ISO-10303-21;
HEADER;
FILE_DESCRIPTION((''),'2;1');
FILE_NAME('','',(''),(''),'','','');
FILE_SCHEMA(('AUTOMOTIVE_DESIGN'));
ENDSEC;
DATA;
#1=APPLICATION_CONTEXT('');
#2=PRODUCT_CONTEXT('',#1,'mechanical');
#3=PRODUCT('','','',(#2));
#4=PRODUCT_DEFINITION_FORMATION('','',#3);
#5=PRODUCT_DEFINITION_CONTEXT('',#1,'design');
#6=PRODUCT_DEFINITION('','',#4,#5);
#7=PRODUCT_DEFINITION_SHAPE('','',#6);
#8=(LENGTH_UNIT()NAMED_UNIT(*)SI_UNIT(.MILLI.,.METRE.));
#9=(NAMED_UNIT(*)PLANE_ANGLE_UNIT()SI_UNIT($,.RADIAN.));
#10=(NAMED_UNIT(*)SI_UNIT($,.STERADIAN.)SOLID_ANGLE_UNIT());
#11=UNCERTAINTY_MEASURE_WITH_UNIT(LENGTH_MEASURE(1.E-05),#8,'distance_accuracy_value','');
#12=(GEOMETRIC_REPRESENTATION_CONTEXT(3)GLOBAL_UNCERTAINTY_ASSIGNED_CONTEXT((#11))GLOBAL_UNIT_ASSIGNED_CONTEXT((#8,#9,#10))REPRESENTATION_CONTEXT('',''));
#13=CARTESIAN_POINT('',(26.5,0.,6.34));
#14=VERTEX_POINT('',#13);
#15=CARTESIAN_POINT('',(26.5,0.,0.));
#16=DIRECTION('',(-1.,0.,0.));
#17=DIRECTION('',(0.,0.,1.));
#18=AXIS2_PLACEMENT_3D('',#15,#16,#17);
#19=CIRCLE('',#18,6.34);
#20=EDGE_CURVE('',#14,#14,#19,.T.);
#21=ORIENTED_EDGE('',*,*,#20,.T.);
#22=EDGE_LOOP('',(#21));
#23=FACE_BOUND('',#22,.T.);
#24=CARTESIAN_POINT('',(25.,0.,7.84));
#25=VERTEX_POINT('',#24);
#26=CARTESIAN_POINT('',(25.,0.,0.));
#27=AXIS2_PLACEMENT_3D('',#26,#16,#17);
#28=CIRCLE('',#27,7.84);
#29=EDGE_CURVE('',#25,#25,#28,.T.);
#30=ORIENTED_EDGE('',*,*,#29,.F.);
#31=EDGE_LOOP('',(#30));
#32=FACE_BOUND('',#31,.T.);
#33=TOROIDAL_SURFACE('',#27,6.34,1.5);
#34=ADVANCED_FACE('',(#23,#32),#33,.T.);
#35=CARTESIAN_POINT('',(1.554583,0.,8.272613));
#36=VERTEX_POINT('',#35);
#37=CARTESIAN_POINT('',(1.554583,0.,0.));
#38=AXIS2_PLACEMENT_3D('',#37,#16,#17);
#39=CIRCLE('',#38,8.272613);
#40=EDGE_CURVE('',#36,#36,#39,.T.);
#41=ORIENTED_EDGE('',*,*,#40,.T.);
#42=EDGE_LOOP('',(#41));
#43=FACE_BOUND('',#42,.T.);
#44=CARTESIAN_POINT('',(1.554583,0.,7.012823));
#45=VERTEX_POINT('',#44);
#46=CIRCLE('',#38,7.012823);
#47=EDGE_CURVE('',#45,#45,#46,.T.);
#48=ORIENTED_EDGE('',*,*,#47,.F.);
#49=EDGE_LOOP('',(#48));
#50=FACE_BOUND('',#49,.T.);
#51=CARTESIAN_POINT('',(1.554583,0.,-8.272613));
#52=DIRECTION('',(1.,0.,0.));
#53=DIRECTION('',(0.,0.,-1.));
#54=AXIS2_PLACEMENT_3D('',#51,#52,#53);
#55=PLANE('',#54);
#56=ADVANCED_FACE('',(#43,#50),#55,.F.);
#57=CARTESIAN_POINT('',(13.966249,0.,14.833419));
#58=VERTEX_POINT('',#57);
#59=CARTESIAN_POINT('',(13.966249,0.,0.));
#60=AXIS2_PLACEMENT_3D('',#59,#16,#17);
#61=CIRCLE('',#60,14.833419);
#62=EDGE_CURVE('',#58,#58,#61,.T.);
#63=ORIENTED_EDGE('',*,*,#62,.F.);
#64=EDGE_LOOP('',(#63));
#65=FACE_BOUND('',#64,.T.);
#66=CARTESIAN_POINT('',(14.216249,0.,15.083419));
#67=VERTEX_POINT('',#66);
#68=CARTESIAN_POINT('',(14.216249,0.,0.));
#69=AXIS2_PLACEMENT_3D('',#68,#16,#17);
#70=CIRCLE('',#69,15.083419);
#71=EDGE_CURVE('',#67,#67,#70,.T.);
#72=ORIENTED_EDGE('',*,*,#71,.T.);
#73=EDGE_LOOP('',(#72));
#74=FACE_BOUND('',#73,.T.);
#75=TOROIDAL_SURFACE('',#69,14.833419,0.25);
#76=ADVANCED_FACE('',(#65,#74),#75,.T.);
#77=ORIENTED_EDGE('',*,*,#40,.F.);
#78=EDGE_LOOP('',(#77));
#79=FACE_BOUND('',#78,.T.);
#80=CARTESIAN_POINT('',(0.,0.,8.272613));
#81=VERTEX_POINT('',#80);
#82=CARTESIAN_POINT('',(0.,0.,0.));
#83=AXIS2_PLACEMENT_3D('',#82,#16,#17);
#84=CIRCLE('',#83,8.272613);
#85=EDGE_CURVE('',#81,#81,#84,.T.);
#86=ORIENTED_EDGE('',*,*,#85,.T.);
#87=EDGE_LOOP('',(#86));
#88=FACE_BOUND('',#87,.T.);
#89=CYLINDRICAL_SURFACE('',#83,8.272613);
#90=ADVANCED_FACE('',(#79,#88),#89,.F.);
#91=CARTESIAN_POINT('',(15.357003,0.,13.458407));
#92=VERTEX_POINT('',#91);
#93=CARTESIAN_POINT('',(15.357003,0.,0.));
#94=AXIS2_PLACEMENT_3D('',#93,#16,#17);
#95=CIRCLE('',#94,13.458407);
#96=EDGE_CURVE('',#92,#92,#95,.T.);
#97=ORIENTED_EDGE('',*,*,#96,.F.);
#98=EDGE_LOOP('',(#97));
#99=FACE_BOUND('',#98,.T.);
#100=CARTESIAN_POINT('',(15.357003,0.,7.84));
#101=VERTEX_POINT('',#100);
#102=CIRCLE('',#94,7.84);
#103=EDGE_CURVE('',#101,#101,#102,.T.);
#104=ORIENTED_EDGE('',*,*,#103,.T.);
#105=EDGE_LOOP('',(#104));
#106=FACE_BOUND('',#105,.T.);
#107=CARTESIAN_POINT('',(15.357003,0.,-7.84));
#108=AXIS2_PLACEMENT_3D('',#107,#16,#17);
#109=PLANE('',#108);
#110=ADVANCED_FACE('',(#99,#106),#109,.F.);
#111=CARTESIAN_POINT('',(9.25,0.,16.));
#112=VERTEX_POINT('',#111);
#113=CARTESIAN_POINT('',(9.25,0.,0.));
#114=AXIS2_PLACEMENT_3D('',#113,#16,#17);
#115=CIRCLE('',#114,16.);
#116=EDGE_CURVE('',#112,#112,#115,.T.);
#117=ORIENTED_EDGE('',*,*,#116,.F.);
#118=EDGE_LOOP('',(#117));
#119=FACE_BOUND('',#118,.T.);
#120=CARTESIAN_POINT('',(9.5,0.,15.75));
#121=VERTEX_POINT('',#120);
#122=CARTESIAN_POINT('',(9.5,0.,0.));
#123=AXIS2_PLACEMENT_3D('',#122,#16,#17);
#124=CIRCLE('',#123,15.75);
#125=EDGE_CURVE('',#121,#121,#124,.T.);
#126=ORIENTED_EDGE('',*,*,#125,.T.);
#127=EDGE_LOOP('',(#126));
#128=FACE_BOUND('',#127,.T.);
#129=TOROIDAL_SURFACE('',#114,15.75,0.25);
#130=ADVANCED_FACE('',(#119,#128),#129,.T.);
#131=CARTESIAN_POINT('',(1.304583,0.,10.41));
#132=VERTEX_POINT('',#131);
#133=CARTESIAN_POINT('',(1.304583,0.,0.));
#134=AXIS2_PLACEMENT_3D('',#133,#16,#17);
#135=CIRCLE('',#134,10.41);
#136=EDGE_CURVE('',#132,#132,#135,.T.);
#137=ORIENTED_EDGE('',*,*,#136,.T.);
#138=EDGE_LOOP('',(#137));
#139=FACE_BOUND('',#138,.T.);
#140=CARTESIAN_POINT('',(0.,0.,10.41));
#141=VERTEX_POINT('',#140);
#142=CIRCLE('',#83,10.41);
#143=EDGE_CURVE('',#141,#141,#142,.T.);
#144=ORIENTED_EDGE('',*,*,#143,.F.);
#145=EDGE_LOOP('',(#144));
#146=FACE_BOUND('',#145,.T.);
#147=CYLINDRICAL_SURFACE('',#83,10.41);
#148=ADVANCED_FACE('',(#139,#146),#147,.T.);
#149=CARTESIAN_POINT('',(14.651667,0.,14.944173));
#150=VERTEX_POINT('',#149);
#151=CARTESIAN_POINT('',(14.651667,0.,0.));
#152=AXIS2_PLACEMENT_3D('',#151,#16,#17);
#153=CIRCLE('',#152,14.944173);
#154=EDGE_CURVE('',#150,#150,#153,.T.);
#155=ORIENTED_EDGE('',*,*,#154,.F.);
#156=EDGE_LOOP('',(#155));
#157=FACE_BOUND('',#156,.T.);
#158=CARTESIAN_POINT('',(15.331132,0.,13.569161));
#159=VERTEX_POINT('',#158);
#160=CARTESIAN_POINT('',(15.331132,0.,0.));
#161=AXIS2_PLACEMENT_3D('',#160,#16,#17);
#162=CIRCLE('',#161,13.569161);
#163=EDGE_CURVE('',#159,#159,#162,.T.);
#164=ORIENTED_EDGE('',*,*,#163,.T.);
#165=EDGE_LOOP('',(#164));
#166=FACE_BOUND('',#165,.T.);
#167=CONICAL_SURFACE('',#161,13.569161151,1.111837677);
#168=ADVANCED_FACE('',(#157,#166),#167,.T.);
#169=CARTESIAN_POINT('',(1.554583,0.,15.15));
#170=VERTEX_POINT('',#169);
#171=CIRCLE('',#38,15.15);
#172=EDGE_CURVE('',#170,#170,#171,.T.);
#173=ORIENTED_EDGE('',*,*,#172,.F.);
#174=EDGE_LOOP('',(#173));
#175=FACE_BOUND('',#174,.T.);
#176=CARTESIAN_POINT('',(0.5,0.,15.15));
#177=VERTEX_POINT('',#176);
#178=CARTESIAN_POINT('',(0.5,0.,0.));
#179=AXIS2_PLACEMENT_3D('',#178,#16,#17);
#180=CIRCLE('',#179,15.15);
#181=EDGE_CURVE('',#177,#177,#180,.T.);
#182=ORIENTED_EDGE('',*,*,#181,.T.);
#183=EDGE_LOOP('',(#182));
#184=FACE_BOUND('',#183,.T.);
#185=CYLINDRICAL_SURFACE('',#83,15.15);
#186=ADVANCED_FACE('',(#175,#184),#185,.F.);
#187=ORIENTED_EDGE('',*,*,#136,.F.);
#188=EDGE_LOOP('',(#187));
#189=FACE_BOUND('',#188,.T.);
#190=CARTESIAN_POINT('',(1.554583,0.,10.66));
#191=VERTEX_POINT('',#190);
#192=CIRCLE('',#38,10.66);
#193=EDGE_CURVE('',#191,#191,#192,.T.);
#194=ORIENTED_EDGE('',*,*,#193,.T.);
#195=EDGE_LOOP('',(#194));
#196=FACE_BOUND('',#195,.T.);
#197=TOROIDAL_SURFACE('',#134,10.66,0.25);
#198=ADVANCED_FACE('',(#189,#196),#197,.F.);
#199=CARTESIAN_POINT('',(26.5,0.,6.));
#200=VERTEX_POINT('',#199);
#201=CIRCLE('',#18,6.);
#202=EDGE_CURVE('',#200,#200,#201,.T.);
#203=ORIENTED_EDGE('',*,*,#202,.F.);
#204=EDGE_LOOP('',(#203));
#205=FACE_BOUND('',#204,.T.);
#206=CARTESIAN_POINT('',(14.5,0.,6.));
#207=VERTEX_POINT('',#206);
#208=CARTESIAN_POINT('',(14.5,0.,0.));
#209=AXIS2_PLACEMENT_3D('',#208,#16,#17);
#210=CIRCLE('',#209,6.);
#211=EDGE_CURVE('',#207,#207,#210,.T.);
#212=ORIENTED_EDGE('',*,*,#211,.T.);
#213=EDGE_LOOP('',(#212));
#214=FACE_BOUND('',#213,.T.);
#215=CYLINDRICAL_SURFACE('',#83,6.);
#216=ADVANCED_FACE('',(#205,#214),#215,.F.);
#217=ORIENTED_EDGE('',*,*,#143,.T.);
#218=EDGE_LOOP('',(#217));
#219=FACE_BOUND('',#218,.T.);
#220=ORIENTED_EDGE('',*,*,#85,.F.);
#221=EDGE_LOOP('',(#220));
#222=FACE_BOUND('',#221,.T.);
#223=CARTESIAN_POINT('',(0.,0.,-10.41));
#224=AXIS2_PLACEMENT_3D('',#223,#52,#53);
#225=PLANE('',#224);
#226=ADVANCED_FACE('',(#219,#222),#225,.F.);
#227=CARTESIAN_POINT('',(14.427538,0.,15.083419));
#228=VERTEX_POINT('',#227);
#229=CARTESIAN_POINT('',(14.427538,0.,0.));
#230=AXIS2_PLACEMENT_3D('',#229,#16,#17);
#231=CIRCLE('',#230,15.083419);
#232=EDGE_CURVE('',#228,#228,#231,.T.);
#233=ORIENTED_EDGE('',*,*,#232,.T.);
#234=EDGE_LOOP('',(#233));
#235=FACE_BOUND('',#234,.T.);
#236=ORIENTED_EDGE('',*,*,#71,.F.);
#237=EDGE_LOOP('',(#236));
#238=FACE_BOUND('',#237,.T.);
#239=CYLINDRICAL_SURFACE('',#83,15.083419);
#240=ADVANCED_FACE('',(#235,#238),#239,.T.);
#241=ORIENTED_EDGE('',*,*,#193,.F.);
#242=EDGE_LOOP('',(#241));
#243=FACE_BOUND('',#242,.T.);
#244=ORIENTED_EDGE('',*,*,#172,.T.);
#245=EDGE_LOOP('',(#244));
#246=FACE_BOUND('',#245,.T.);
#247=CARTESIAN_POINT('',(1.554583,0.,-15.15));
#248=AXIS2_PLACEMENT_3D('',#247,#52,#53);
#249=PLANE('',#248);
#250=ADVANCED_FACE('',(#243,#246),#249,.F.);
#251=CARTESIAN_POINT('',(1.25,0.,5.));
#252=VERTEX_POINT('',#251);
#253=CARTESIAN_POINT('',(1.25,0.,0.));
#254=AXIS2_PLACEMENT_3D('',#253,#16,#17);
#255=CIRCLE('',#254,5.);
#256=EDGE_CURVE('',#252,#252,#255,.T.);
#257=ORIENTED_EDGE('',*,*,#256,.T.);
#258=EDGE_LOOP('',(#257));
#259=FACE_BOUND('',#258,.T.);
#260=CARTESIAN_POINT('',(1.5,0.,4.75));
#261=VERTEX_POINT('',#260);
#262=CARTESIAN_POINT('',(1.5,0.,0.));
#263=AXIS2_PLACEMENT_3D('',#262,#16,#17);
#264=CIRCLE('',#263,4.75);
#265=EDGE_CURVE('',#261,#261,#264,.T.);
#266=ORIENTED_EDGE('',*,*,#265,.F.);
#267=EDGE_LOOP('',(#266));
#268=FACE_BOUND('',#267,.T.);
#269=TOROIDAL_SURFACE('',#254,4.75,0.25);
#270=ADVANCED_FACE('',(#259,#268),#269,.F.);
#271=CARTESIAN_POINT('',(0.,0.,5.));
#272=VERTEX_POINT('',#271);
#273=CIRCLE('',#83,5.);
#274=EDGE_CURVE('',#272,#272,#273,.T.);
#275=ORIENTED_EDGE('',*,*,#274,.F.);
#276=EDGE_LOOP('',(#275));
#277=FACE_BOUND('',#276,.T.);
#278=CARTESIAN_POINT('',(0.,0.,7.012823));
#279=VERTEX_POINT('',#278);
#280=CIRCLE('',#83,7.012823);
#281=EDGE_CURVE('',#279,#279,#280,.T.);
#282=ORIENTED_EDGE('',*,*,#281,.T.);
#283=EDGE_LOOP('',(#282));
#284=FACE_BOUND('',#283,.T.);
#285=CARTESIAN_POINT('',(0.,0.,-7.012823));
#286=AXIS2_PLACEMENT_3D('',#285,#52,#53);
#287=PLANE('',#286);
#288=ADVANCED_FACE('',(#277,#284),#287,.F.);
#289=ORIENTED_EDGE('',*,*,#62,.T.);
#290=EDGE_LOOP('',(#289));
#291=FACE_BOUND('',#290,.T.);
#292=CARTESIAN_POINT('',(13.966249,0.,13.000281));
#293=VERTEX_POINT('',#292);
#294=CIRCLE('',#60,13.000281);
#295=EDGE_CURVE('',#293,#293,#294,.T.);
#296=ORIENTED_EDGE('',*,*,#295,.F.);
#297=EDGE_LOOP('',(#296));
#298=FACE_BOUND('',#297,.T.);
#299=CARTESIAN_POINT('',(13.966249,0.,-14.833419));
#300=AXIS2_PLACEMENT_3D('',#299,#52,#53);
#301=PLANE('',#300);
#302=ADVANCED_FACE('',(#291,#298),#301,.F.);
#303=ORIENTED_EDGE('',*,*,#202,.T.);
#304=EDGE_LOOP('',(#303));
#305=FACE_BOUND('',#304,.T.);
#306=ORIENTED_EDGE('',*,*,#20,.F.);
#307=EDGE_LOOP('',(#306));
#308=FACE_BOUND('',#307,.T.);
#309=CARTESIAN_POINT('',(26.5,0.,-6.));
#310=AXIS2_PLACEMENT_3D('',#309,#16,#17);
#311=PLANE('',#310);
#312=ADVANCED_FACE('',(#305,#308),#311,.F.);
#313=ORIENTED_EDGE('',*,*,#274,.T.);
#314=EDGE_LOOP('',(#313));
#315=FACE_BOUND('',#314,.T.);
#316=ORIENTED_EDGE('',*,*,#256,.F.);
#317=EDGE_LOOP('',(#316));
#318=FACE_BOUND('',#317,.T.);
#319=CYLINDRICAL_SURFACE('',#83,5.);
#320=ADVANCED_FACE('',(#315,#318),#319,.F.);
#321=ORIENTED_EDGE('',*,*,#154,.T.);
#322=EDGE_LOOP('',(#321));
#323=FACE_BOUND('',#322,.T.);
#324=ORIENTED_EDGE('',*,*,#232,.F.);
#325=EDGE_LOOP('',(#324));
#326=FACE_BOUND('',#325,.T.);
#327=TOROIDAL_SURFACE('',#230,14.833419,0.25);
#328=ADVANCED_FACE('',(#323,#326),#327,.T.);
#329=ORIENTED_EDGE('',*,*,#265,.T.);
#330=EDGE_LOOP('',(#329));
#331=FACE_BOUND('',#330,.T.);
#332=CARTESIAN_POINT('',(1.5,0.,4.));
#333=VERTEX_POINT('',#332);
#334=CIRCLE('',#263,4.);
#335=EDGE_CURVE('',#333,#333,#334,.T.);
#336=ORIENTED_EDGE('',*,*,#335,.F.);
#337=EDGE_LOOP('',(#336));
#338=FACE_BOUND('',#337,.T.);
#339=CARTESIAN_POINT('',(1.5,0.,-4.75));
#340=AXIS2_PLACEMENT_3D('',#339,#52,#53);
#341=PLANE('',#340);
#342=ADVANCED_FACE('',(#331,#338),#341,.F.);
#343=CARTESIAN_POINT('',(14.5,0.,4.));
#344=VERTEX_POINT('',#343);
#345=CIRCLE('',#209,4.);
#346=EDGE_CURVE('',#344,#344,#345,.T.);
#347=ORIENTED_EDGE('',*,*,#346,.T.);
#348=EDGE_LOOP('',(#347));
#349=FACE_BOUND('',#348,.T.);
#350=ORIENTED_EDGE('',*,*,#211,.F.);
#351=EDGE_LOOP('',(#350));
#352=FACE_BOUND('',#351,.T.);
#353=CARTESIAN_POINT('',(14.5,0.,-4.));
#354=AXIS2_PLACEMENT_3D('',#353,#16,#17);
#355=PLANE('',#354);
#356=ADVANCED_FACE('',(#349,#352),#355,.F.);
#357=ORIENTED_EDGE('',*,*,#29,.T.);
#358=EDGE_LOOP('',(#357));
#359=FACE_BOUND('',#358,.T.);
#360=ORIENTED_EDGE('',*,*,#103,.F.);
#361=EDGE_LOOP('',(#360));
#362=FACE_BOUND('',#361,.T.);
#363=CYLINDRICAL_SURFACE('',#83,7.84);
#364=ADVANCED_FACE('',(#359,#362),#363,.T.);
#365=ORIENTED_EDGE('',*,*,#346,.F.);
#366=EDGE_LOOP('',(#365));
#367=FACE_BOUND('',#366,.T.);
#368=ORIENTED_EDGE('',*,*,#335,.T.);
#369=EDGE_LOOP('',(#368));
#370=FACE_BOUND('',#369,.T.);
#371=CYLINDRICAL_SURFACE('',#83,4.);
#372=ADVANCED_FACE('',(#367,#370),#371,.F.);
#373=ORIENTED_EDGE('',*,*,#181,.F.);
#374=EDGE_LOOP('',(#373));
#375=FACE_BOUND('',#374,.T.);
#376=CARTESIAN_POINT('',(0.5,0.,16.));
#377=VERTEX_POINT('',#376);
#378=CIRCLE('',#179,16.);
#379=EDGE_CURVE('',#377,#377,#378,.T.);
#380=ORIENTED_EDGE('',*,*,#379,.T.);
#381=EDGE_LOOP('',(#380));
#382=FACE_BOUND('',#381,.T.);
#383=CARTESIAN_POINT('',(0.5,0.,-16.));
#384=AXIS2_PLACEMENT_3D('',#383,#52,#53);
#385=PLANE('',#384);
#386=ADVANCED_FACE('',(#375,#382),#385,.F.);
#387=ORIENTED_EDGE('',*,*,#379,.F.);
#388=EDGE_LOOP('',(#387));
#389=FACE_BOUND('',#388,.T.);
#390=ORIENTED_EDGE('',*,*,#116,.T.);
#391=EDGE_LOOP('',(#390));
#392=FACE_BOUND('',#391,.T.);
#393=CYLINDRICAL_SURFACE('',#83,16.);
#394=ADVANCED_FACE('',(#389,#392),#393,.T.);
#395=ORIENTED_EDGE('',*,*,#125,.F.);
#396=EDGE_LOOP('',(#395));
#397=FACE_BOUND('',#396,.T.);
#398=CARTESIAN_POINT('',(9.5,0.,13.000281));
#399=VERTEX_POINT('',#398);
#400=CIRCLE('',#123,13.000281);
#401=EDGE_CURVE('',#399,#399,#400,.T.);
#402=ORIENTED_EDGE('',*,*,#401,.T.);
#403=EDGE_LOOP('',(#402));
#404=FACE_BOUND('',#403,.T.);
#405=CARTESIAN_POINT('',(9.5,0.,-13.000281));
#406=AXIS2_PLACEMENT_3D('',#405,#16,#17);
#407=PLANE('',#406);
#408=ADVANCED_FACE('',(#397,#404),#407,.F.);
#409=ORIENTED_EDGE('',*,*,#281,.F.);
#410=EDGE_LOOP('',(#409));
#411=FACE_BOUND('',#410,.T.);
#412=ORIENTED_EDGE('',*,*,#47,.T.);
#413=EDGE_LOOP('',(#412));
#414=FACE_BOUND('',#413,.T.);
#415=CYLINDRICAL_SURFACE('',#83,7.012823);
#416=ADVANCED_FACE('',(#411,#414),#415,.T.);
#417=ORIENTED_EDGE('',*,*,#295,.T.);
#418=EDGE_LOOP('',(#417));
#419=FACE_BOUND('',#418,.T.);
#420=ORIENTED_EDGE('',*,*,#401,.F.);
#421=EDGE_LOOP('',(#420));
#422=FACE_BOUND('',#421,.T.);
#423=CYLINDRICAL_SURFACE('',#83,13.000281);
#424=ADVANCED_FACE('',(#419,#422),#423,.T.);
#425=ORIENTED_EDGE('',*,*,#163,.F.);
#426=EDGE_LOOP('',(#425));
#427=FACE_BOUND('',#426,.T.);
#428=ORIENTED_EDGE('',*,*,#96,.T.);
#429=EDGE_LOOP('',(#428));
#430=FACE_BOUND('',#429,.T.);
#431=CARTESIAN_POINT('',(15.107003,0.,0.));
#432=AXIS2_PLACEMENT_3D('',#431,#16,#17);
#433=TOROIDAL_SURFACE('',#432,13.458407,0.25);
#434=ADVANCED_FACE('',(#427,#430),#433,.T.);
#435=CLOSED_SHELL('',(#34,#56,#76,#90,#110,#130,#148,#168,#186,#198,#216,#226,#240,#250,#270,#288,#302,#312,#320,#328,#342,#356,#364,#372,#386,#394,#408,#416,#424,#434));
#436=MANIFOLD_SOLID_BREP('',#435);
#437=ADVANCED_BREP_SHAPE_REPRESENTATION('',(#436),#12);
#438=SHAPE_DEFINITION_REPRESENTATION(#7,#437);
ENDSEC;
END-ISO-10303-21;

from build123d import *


with BuildPart() as part:
    # Croquis1 → Revolución1 (revolve)
    with BuildSketch(Plane(origin=(0, 0, 0), x_dir=(1, 0, 0), z_dir=(0, 1, 0)), mode=Mode.PRIVATE) as revoluci_n1_sk:
        with BuildLine():
            Line((0, 5), (1.25, 5))
            ThreePointArc((1.25, 5), (1.426776695, 4.926776695), (1.5, 4.75))
            Line((1.5, 4.75), (1.5, 4))
            Line((1.5, 4), (14.5, 4))
            Line((14.5, 4), (14.5, 6))
            Line((14.5, 6), (26.5, 6))
            Line((26.5, 6), (26.5, 6.34))
            ThreePointArc((26.5, 6.34), (26.060660172, 7.400660172), (25, 7.84))
            Line((25, 7.84), (15.357003491, 7.84))
            Line((15.357003491, 7.84), (15.357003491, 13.458407461))
            ThreePointArc((15.357003491, 13.458407461), (15.350449732, 13.515275093), (15.33113207, 13.569161151))
            Line((15.33113207, 13.569161151), (14.651666679, 14.944172781))
            ThreePointArc((14.651666679, 14.944172781), (14.5594691, 15.045773067), (14.4275381, 15.08341909))
            Line((14.4275381, 15.08341909), (14.216248796, 15.08341909))
            ThreePointArc((14.216248796, 15.08341909), (14.039472101, 15.010195786), (13.966248796, 14.83341909))
            Line((13.966248796, 14.83341909), (13.966248796, 13.000280659))
            Line((13.966248796, 13.000280659), (9.5, 13.000280659))
            Line((9.5, 13.000280659), (9.5, 15.75))
            ThreePointArc((9.5, 15.75), (9.426776695, 15.926776695), (9.25, 16))
            Line((9.25, 16), (0.5, 16))
            Line((0.5, 16), (0.5, 15.15))
            Line((0.5, 15.15), (1.554583004, 15.15))
            Line((1.554583004, 15.15), (1.554583004, 10.66))
            ThreePointArc((1.554583004, 10.66), (1.481359699, 10.483223305), (1.304583004, 10.41))
            Line((1.304583004, 10.41), (0, 10.41))
            Line((0, 10.41), (0, 8.272613208))
            Line((0, 8.272613208), (1.554583004, 8.272613208))
            Line((1.554583004, 8.272613208), (1.554583004, 7.012823374))
            Line((1.554583004, 7.012823374), (0, 7.012823374))
            Line((0, 7.012823374), (0, 5))
        make_face()
    revolve(revoluci_n1_sk.sketch.rotate(Axis((0, 0, 0), (1, 0, 0)), 180), axis=Axis((0, 0, 0), (1, 0, 0)))


solid = part.part
